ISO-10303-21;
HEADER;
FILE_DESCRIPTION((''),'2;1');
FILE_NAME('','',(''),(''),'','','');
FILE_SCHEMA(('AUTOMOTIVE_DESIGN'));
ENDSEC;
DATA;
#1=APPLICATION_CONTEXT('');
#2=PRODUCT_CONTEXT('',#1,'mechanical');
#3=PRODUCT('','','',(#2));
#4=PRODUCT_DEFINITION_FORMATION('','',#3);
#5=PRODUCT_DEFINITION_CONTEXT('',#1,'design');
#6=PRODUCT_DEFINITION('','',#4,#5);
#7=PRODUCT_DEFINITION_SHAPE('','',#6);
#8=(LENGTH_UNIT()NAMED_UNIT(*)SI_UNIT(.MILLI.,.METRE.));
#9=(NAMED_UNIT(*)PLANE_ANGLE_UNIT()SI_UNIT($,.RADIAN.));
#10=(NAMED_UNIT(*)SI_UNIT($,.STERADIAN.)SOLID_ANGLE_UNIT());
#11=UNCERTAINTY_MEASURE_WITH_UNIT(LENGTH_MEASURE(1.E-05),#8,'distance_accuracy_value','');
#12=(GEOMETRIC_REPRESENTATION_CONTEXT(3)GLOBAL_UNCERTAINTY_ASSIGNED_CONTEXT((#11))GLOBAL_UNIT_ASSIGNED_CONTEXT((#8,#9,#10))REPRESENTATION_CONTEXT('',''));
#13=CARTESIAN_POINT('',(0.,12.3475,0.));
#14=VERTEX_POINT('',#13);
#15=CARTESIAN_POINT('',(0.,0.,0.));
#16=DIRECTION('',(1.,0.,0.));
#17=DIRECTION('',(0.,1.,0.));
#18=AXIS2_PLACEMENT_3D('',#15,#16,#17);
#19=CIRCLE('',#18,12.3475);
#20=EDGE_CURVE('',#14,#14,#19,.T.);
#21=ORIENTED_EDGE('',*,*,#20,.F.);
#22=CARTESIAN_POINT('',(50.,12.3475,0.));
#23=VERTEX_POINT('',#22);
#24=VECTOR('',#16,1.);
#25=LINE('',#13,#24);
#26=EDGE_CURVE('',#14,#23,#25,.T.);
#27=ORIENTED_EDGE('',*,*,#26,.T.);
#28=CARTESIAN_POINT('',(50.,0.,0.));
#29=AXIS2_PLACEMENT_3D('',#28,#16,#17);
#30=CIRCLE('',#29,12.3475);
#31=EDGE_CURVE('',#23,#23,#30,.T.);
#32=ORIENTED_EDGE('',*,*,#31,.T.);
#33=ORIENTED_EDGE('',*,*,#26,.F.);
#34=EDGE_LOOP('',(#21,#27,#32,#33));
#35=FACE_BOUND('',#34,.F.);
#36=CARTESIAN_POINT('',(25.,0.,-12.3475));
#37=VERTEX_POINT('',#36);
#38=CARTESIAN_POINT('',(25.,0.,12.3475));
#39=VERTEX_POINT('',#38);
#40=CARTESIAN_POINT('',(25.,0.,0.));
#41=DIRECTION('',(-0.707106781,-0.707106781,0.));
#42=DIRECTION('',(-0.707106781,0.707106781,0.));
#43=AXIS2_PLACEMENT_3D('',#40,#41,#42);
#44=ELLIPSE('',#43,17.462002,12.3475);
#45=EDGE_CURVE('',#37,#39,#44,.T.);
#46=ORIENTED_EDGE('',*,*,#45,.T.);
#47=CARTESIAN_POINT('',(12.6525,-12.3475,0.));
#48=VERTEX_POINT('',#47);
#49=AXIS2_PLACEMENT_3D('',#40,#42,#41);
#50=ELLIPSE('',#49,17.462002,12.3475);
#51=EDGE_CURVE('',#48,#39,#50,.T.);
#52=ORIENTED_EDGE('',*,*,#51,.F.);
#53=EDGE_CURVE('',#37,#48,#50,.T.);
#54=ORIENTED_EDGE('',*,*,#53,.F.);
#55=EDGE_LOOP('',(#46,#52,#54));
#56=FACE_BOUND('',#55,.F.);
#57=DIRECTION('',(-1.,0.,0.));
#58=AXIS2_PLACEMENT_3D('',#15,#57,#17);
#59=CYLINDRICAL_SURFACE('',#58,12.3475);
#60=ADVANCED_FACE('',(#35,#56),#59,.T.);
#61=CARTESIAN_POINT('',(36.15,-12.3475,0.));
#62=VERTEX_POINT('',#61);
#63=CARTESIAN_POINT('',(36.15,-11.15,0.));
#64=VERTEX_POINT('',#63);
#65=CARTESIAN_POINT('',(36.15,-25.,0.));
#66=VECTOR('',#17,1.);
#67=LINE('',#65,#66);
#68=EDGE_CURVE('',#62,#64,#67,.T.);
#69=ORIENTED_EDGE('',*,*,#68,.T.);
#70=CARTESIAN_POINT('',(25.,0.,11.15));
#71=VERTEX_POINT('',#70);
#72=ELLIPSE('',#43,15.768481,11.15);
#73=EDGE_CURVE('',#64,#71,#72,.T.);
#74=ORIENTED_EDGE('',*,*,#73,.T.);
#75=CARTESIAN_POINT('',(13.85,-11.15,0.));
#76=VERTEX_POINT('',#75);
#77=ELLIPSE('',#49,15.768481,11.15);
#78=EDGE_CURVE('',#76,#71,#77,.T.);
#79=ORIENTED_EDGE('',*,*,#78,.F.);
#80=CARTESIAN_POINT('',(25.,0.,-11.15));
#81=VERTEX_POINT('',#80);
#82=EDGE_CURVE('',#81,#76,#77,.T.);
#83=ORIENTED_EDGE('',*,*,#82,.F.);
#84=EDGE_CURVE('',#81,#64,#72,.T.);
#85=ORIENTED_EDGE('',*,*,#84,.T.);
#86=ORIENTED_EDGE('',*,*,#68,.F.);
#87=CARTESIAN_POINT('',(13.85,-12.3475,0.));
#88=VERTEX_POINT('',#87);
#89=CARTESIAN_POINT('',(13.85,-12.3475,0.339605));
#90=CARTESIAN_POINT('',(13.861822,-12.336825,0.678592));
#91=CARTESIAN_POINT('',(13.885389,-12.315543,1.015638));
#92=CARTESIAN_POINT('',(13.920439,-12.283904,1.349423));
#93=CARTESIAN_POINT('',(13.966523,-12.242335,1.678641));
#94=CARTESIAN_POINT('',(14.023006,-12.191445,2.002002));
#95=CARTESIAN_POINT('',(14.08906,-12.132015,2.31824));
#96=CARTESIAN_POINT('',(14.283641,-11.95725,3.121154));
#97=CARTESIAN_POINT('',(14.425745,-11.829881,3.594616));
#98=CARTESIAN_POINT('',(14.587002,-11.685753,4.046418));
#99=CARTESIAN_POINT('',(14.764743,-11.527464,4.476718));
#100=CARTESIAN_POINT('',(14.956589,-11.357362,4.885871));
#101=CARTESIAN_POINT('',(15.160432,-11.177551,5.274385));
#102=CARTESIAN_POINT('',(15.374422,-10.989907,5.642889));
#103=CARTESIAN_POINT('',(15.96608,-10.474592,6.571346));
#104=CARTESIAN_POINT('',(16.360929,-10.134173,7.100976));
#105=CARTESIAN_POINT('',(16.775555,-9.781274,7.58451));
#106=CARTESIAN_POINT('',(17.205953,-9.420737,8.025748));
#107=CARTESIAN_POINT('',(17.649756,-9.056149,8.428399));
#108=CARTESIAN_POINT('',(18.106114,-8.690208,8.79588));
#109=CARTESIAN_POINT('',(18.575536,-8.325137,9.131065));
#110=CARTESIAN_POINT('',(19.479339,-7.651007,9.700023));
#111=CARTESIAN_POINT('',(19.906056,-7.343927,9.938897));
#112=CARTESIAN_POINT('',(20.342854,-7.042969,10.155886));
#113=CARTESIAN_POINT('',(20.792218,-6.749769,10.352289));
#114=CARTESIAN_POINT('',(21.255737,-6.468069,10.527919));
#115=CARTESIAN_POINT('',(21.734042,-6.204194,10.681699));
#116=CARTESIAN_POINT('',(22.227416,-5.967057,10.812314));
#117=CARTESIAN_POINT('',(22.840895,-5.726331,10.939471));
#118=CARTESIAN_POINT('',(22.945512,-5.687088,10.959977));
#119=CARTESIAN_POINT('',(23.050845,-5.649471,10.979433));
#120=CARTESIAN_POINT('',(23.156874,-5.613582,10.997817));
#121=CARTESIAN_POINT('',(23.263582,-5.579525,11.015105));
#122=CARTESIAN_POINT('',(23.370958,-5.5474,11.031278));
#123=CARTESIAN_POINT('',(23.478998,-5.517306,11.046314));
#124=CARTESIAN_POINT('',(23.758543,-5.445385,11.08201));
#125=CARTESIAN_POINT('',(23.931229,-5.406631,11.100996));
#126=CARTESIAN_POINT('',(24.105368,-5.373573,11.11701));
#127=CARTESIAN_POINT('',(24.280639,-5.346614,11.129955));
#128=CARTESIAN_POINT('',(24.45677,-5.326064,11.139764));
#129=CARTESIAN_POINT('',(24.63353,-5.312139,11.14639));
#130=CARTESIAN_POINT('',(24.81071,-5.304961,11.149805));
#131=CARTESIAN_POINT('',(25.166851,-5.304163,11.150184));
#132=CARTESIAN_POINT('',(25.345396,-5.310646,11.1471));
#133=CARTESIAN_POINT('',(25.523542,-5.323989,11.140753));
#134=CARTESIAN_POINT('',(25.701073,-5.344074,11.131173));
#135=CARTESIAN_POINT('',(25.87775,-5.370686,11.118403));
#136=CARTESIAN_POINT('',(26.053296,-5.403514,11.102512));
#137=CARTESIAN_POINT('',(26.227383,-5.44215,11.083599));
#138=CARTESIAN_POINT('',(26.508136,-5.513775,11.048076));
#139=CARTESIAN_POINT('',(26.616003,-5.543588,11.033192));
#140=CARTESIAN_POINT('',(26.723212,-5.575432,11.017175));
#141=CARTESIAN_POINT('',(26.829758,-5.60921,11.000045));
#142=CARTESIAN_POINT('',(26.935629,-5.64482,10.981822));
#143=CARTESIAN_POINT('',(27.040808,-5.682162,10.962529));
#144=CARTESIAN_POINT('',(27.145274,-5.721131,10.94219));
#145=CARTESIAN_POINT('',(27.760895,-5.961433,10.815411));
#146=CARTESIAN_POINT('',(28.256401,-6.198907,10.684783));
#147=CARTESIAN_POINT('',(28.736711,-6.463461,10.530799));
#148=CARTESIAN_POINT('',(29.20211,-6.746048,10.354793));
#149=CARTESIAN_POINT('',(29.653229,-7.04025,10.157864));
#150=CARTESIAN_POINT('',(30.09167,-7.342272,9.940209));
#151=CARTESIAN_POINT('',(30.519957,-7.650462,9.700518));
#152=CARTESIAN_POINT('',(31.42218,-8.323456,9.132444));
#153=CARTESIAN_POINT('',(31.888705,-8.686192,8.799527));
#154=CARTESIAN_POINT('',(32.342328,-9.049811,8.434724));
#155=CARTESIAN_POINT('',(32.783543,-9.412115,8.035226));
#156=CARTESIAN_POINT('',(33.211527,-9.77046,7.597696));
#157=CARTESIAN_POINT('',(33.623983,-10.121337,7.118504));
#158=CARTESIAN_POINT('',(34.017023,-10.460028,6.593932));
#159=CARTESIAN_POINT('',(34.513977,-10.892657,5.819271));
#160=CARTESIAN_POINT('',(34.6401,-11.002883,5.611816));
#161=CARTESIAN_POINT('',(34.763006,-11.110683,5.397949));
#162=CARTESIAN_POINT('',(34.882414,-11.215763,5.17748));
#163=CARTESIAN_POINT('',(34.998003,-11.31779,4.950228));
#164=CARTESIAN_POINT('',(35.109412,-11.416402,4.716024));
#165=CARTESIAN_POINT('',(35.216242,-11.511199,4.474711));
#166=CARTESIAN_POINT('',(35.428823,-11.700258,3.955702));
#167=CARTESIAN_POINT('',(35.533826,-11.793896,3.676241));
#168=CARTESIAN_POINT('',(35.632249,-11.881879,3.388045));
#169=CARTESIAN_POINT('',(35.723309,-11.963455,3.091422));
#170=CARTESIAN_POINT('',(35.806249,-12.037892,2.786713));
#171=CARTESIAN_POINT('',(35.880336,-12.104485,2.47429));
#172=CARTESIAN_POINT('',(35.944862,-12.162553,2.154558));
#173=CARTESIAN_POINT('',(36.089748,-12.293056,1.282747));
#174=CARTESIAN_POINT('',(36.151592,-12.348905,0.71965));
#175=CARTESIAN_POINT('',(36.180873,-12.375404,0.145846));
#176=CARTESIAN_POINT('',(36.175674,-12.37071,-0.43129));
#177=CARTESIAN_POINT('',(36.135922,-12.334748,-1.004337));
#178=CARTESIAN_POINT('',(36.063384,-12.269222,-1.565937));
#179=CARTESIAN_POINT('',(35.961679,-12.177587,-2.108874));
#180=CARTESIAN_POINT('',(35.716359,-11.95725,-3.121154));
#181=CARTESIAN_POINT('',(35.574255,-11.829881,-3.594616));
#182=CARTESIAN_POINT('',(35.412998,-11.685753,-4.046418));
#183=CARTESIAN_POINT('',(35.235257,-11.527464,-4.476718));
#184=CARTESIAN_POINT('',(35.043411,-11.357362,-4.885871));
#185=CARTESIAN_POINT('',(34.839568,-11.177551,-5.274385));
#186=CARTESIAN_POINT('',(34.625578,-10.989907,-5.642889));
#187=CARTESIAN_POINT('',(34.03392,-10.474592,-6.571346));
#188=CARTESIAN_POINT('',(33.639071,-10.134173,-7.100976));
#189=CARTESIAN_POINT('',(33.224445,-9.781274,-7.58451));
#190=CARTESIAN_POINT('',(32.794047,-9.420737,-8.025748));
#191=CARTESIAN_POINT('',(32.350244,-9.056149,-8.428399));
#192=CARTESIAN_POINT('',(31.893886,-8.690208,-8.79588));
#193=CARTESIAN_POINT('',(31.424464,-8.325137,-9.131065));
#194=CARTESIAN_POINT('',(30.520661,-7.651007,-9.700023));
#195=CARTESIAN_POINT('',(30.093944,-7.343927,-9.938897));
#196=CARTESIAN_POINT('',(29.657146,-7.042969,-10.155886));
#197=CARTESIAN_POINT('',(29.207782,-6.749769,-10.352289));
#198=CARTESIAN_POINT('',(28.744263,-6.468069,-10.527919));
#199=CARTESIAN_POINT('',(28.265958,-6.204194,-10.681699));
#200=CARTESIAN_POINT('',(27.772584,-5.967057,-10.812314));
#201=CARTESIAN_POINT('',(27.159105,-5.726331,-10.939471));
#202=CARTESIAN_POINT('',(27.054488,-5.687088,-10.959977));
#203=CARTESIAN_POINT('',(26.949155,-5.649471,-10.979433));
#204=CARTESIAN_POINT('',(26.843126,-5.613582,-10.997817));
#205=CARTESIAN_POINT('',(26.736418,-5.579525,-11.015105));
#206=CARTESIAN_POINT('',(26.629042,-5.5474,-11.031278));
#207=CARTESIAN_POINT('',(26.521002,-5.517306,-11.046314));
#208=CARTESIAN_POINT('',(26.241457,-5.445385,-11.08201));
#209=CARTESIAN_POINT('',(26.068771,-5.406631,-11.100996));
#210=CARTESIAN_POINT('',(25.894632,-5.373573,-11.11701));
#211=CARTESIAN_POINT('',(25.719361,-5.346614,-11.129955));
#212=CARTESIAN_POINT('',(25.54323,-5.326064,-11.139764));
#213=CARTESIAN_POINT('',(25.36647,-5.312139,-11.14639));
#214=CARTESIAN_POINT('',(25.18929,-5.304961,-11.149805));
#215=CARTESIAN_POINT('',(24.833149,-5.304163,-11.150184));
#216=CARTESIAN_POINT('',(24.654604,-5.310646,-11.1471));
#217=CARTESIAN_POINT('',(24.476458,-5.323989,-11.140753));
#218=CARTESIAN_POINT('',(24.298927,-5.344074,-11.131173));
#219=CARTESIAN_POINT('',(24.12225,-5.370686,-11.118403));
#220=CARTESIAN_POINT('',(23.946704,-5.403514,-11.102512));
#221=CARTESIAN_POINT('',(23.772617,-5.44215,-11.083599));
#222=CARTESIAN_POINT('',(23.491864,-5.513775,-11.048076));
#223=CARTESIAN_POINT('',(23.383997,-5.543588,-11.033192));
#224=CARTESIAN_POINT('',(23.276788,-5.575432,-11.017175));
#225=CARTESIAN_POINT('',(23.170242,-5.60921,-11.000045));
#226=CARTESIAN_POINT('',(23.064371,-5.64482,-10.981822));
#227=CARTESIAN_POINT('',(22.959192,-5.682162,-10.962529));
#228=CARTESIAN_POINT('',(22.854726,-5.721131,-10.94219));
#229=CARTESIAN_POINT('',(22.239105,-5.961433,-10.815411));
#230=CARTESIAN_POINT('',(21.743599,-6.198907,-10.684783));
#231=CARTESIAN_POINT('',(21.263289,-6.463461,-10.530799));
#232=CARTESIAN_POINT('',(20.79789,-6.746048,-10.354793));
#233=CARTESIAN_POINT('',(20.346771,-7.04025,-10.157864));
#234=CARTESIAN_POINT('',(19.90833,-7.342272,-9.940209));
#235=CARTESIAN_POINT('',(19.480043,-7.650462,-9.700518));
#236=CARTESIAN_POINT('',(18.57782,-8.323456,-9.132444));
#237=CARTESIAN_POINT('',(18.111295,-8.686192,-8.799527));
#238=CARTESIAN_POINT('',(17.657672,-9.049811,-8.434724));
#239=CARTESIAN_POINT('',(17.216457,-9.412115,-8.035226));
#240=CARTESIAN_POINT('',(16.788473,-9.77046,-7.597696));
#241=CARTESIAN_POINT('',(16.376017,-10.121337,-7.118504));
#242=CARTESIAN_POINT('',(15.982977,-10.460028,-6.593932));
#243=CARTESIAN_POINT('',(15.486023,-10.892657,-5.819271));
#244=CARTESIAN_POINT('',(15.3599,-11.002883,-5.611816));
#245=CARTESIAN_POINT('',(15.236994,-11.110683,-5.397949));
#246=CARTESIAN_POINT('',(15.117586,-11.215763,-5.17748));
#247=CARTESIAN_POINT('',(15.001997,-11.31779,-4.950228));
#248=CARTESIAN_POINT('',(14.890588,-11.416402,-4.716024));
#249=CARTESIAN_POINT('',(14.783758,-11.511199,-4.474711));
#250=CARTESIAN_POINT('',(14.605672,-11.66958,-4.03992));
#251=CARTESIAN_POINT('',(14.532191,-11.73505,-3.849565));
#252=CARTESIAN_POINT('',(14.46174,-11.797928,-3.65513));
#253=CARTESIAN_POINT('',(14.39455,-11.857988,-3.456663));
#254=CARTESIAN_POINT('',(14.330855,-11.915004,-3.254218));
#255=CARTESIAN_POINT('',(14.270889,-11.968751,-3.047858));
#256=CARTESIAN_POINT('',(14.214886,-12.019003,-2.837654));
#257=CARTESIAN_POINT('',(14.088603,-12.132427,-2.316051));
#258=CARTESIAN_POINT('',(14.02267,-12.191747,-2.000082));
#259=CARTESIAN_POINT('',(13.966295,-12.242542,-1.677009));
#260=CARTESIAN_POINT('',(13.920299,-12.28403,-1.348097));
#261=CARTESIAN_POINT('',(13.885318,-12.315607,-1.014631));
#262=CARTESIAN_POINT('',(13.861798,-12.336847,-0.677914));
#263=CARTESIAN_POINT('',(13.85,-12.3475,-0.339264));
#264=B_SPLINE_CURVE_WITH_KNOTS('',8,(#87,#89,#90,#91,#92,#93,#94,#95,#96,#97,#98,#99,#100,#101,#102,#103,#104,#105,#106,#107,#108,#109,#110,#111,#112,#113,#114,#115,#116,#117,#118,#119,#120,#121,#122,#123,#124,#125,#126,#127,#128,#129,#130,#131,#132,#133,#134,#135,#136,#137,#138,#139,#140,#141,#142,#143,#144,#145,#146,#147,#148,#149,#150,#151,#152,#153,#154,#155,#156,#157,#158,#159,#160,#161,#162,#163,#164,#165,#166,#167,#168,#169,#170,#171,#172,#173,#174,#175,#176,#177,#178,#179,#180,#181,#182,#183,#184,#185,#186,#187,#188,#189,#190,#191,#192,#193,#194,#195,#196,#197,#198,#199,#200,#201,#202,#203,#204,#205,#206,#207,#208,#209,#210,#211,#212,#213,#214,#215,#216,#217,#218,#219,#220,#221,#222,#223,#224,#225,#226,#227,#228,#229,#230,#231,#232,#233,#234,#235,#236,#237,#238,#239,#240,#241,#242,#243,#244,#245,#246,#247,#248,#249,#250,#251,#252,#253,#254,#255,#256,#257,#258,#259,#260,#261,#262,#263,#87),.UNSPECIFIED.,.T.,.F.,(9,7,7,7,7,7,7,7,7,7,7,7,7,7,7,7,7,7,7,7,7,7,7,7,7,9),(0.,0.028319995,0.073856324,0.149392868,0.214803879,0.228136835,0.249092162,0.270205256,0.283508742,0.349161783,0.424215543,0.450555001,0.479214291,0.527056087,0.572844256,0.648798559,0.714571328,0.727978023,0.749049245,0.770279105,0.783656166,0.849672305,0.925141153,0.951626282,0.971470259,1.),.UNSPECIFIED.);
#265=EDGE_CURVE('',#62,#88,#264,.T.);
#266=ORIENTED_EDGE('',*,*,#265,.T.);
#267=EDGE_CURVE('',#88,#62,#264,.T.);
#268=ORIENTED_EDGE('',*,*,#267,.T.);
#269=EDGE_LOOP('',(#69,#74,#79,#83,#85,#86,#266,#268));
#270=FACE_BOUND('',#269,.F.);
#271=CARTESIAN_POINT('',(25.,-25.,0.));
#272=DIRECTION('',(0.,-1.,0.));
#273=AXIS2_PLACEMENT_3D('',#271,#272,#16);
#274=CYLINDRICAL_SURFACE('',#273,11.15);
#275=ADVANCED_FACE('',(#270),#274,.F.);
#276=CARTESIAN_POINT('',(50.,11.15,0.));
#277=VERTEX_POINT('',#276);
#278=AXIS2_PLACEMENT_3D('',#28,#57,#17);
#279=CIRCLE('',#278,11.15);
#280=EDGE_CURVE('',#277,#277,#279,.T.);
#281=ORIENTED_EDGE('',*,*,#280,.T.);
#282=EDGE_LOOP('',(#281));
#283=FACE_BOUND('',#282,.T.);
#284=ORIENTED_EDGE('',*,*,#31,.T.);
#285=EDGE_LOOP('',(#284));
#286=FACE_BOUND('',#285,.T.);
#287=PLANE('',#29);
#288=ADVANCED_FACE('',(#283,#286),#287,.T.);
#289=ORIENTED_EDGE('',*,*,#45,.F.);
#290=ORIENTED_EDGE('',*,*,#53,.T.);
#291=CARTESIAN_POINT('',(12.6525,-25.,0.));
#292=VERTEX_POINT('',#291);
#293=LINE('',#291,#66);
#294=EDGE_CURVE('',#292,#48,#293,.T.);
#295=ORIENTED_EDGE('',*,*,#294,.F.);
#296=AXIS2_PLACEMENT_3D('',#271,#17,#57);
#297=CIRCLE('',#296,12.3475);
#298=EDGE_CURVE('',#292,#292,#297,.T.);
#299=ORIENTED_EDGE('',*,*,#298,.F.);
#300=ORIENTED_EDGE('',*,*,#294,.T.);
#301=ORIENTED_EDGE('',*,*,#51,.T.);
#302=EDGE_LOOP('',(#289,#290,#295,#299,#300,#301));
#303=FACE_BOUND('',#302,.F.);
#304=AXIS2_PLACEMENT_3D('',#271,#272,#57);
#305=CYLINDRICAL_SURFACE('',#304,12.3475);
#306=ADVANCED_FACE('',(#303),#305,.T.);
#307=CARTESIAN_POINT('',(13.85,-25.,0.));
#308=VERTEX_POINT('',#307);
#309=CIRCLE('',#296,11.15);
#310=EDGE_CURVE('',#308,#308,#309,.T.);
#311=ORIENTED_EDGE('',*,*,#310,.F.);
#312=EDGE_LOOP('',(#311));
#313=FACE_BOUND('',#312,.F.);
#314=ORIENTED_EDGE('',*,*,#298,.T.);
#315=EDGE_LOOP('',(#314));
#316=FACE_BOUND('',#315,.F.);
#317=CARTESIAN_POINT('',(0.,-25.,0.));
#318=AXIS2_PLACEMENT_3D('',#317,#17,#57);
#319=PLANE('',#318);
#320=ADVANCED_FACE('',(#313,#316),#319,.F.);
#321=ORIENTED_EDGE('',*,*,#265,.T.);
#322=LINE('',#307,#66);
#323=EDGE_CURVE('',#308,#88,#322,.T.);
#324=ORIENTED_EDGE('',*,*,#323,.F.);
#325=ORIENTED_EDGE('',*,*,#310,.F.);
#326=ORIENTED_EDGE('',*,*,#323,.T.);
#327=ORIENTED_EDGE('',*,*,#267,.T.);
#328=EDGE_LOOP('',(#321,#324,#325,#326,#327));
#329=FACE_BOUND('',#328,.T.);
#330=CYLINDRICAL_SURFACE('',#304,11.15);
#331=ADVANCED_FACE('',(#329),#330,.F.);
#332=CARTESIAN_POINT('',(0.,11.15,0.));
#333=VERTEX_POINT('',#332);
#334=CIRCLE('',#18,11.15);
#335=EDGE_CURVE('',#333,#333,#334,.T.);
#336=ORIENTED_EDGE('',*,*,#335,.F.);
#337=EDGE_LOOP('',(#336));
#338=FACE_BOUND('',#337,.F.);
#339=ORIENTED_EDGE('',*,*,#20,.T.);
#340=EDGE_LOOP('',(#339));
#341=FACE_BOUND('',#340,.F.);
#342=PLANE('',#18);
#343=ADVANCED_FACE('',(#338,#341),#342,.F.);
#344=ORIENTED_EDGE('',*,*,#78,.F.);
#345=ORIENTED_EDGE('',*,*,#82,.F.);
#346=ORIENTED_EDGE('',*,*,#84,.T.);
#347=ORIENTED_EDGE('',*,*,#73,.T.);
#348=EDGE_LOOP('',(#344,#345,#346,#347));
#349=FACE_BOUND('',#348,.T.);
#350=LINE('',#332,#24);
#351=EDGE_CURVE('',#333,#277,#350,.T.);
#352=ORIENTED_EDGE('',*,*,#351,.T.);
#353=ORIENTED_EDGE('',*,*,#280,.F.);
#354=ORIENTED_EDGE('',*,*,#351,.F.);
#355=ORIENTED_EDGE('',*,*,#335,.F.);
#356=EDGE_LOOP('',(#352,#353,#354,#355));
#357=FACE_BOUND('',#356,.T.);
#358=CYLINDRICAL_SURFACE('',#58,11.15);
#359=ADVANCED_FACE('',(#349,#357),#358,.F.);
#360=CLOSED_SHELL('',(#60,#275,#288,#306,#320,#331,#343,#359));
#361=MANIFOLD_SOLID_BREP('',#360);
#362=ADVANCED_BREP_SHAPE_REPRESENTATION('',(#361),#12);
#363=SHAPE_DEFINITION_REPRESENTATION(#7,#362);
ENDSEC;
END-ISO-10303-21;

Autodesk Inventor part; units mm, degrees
ref_plane "YZ Plane" through (0, 0, 0) normal (1, 0, 0) x (0, 1, 0)
ref_plane "XY Plane" through (0, 0, 0) normal (0, 0, 1) x (1, 0, 0)
sketch "Sketch1" plane through (0, 0, 0) normal (1, 0, 0) x (0, 1, 0)
  circle A0 centre (0, 0) radius 11.15
  circle A1 centre (0, 0) radius 12.3475
  dimension "d0" = 22.3
  dimension "d1" = 24.695
extrude "Extrusion1" add sketch "Sketch1" along normal blind 50
ref_plane "Work Plane2" through (0, -25, 0) normal (0, 1, 0) x (-1, 0, 0)
sketch "Sketch2" plane through (0, -25, 0) normal (0, 1, 0) x (-1, 0, 0)
  line L0 (0, 0) -> (-50, 0)
  line L1 (-50, 12.3475) -> (-50, -12.3475) projected
  circle A0 centre (-25, 0) radius 12.3475
  circle A1 centre (-25, 0) radius 11.15
  dimension "d6" = 50
  dimension "d7" = 22.3
extrude "Extrusion2" add sketch "Sketch2" along normal blind 25 contours A0 L0 A1 | L0 A1 A0
sketch "Sketch3" plane through (0, 0, 0) normal (-1, 0, 0) x (0, 0, 1)
  line L0 (11.15, 0) -> (-11.15, 0) projected
  circle A0 centre (0, 0) radius 11.15
extrude "Extrusion3" cut sketch "Sketch3" against normal blind 78.975
sketch "Sketch4" plane through (25, -25, 0) normal (0, -1, 0) x (1, 0, 0)
  circle A0 centre (0, 0) radius 11.15
  point P0 (-25, 0)
extrude "Extrusion4" cut sketch "Sketch4" against normal blind 25
properties part number "Connector" material "PVC-Piping"
